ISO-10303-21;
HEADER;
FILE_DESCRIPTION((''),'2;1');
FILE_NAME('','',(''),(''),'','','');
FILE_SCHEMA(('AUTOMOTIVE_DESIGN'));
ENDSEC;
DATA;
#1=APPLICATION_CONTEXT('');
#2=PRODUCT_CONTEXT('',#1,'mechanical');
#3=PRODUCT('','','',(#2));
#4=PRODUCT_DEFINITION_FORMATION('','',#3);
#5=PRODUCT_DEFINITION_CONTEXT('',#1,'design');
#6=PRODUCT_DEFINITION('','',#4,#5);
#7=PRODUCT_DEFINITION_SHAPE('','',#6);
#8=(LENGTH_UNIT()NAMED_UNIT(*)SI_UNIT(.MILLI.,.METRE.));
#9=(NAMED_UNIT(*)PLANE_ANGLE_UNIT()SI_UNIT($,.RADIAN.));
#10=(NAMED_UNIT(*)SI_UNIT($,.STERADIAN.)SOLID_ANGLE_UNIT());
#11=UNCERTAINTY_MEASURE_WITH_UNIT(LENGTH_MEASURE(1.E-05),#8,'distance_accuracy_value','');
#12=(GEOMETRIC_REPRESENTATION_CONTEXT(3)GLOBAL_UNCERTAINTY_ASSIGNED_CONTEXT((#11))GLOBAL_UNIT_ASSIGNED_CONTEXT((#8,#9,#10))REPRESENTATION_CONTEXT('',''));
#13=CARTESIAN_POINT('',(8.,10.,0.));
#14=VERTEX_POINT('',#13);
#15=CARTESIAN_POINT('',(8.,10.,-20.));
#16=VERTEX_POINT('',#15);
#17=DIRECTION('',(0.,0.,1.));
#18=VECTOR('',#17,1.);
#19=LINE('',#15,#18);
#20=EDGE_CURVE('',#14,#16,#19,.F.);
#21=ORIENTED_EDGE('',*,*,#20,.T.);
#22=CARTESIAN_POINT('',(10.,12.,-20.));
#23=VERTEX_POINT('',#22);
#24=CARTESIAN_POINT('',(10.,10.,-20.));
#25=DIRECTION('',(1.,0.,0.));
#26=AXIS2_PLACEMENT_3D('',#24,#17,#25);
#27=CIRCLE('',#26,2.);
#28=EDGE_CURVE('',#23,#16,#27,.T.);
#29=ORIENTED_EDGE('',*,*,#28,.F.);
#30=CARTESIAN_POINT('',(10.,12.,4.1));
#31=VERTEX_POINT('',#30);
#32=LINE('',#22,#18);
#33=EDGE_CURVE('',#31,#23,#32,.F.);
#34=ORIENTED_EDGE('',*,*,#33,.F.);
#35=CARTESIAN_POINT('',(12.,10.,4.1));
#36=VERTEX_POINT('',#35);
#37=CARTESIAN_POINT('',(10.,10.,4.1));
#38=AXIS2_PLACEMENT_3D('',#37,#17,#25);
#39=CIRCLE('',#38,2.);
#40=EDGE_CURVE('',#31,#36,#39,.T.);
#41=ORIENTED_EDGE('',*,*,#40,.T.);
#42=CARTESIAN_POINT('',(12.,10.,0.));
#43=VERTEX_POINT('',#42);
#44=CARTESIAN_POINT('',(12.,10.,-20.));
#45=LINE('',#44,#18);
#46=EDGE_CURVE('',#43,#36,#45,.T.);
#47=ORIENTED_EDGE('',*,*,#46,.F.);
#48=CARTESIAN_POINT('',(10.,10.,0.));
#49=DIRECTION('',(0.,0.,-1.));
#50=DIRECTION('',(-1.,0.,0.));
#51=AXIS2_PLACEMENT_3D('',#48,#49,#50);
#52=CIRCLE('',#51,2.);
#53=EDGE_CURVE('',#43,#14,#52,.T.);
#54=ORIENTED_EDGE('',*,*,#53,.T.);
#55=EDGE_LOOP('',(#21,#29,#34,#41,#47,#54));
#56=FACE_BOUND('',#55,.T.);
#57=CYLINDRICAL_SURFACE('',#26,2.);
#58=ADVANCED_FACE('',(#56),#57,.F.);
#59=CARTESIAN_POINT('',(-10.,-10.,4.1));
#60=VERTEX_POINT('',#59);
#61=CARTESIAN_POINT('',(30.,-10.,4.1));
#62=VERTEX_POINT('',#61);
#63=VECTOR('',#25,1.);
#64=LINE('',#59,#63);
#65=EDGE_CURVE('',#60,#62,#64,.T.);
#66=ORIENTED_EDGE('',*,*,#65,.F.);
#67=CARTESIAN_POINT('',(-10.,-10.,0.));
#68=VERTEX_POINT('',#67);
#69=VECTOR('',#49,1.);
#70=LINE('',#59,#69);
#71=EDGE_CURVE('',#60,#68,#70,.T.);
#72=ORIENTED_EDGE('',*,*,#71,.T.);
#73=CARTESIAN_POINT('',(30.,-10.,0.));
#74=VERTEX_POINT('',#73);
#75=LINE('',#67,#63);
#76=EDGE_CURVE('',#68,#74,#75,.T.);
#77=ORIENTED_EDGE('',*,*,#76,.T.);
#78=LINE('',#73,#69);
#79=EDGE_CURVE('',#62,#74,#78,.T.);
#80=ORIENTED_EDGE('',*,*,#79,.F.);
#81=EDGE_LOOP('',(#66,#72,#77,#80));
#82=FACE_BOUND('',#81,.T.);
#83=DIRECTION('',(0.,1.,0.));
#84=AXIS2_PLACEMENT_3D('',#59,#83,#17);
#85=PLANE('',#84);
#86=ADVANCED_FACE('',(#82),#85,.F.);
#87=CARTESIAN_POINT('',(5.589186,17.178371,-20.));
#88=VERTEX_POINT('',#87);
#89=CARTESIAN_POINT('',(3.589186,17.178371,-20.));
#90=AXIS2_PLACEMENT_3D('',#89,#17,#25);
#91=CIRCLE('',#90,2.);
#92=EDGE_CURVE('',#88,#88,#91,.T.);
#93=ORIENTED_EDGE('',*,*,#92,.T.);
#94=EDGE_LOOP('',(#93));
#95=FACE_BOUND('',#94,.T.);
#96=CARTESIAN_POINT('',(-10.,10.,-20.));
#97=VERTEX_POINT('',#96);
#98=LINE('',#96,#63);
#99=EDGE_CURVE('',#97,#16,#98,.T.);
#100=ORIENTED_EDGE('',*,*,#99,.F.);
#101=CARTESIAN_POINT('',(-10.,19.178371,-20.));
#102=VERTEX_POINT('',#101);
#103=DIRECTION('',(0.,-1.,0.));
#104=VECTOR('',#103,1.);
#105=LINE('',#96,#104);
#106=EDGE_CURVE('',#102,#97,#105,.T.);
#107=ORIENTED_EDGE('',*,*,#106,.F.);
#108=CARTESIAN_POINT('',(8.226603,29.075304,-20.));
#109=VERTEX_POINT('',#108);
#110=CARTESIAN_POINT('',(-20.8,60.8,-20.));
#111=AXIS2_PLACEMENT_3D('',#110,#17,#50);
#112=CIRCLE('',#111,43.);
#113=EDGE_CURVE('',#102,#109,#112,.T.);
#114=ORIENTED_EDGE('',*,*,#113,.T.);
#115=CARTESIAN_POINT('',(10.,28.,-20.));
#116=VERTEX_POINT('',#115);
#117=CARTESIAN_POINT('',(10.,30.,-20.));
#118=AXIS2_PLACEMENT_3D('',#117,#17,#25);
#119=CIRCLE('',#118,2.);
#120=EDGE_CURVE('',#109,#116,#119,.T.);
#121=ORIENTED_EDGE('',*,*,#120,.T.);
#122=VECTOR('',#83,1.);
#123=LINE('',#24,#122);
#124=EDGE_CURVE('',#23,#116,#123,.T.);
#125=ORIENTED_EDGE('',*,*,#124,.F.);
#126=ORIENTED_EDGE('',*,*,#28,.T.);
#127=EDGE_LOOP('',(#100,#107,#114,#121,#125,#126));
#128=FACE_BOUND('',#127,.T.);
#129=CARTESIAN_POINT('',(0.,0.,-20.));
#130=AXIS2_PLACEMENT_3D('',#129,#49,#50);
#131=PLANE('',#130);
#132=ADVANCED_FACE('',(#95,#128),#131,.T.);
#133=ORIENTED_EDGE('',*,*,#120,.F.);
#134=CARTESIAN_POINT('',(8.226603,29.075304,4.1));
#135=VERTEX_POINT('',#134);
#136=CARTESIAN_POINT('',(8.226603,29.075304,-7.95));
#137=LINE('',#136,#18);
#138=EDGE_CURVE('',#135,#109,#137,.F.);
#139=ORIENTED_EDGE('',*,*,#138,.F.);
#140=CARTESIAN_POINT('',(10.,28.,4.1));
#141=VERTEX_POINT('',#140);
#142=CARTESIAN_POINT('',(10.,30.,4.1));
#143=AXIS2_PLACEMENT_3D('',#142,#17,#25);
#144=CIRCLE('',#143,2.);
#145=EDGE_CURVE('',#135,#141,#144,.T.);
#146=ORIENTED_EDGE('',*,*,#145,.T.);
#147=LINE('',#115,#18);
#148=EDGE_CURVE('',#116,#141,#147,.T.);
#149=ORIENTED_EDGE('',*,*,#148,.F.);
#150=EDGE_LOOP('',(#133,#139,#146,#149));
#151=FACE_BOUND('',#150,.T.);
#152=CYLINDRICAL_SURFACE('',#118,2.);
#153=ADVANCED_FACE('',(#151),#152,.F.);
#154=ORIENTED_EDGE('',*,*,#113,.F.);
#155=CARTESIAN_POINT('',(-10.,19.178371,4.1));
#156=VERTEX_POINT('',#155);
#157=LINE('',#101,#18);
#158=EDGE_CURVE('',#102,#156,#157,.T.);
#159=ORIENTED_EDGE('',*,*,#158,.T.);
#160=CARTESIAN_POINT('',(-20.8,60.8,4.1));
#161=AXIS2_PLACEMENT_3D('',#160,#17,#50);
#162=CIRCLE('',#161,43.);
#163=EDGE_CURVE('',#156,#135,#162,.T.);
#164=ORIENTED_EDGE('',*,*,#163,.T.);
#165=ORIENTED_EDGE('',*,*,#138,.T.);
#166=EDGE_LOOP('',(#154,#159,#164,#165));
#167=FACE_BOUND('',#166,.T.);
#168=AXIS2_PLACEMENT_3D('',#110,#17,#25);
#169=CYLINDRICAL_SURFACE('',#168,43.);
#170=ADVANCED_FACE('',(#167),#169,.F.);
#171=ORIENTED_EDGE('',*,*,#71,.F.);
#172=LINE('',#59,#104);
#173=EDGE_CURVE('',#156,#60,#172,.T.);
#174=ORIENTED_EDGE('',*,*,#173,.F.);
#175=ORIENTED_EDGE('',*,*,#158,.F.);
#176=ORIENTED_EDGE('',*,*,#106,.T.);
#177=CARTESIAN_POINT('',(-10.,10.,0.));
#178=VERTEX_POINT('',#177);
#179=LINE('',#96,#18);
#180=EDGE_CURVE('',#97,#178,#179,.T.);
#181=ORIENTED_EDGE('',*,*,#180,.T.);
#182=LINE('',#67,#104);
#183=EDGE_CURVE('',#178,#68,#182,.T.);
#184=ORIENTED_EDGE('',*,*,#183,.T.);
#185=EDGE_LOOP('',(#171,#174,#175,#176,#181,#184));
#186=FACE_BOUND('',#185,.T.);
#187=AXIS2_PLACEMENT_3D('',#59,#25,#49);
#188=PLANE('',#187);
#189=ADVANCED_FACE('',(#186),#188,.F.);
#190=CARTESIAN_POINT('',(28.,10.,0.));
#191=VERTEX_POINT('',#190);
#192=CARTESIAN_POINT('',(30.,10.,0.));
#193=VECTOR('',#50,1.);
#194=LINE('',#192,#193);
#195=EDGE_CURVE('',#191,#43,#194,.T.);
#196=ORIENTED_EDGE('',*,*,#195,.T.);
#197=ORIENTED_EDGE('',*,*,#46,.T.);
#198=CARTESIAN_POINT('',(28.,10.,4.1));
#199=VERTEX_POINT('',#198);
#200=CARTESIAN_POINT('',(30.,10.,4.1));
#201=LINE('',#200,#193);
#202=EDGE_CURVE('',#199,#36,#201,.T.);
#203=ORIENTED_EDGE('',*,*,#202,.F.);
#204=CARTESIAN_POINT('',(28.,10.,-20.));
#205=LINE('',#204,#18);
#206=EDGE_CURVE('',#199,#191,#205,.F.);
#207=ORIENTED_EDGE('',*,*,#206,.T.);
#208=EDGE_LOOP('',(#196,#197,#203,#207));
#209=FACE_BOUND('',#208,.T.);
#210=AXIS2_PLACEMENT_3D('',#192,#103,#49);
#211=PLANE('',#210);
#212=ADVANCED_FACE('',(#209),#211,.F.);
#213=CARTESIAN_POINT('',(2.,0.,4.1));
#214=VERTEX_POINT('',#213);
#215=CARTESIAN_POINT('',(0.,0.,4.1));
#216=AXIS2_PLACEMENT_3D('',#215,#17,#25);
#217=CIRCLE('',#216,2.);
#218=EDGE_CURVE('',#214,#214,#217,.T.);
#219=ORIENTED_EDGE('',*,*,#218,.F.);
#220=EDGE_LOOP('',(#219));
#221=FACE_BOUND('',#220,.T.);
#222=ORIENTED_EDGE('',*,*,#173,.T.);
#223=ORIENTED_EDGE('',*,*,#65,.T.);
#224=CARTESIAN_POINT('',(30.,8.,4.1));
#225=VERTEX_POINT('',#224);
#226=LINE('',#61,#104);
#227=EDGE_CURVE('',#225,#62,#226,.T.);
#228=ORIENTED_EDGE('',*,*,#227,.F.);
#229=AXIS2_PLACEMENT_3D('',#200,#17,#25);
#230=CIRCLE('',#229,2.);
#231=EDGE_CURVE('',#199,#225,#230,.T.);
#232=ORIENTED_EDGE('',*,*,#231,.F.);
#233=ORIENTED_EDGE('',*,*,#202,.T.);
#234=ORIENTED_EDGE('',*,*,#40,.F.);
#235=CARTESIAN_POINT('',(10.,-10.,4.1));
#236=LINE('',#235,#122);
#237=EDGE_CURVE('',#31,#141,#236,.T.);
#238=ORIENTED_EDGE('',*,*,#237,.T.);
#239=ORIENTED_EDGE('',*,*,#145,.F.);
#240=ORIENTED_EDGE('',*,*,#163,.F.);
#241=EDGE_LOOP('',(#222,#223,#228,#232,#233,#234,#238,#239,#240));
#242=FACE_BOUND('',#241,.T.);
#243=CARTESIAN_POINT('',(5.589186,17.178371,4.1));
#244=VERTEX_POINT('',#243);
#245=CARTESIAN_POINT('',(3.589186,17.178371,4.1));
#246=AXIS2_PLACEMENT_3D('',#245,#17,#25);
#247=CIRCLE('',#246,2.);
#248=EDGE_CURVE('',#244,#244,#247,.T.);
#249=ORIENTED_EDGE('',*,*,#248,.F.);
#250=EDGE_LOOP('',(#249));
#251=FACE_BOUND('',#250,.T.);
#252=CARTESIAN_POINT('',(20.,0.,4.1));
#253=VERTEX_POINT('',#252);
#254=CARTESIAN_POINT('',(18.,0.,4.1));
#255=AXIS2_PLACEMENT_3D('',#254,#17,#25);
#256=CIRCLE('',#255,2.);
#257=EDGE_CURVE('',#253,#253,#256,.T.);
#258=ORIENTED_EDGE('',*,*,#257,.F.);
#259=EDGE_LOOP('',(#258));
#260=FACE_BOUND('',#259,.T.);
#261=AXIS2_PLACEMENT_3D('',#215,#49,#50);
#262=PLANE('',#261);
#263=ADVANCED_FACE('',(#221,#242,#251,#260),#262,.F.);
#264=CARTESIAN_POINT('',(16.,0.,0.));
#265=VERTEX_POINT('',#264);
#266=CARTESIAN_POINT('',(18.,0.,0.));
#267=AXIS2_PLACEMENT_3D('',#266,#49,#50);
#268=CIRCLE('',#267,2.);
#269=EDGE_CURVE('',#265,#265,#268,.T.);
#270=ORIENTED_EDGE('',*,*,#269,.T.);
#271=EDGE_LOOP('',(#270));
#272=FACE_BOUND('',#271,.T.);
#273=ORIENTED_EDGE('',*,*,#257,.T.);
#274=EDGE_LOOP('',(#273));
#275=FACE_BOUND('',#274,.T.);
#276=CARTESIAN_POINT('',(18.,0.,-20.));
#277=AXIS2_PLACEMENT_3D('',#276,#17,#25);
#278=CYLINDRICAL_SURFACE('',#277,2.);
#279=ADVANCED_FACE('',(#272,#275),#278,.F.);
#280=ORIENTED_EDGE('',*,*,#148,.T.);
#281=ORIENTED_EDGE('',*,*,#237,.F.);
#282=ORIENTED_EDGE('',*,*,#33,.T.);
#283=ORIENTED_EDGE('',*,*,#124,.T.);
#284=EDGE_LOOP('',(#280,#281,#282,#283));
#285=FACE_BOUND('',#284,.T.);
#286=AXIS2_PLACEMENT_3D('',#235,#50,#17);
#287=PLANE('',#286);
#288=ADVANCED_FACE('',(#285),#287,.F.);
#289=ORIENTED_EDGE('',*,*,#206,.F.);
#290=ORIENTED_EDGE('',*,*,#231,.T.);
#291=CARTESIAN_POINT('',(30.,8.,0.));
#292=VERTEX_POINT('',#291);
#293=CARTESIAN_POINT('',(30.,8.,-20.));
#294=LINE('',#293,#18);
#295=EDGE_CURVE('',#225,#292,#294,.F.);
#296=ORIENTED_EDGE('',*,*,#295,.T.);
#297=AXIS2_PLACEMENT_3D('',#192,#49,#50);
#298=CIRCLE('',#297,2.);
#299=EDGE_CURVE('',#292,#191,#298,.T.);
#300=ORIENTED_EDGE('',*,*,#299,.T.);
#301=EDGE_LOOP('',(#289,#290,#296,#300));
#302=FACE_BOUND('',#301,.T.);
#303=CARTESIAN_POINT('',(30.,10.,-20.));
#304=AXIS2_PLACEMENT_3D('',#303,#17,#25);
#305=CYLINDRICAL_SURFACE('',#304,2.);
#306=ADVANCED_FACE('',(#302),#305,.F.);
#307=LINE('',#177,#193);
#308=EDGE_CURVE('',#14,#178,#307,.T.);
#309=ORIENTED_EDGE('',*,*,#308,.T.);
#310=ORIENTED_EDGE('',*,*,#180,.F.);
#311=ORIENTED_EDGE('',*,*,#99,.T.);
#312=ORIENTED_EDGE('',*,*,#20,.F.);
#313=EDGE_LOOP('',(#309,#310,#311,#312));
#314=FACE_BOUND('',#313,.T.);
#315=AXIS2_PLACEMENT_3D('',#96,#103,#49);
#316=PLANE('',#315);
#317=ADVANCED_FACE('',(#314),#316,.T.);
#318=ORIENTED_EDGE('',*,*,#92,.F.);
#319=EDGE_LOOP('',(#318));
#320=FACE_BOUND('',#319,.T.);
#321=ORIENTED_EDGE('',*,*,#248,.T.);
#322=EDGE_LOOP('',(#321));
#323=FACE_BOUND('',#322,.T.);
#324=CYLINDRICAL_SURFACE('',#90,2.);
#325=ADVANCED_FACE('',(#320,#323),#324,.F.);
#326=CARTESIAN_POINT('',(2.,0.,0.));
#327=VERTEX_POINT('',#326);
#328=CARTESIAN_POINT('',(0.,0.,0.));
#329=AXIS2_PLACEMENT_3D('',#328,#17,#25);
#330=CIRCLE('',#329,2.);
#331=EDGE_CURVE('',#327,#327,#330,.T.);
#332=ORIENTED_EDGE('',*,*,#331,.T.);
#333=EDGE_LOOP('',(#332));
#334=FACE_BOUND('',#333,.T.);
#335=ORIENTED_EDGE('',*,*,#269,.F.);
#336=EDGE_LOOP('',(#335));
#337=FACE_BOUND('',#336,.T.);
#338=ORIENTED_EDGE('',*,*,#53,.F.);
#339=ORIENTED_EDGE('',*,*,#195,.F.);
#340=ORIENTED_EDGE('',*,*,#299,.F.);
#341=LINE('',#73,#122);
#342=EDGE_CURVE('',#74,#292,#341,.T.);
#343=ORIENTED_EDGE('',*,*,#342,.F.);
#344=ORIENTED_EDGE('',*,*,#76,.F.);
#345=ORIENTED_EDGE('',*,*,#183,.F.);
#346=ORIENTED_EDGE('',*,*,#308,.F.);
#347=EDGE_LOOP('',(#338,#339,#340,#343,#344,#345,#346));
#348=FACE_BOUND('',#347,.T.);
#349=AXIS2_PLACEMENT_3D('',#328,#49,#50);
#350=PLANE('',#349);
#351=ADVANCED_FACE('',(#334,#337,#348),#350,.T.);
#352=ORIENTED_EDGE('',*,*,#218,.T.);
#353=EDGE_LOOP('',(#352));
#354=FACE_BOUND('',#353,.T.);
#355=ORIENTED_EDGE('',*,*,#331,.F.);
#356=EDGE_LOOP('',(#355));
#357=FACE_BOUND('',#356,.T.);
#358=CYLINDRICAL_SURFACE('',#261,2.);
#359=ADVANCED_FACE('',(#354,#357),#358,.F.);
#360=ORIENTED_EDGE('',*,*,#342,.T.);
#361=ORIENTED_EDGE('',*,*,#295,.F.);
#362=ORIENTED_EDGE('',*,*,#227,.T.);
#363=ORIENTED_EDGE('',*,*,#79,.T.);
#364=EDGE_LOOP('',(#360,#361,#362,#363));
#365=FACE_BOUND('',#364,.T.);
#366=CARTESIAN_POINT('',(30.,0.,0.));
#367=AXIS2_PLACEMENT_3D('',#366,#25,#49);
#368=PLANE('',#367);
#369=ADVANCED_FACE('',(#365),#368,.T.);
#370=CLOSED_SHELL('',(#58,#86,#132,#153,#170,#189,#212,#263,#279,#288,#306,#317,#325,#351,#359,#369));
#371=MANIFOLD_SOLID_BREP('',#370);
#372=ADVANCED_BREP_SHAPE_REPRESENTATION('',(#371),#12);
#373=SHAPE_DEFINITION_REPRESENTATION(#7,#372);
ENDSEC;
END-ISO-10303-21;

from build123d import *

# Parameters (mm, degrees)
SKETCH_1_W          = 20
SKETCH_1_H          = 20
SKETCH_1_R          = 2
EXTRUDE_1_DEPTH     = 4.1
SKETCH_2_W          = 20
SKETCH_2_H          = 20
EXTRUDE_2_DEPTH     = 24.1
CUT_EXTRUDE_1_DEPTH = 40.759401404
SKETCH_4_R          = 2
CUT_EXTRUDE_2_DEPTH = 40.759401404
SKETCH_5_W          = 4.1
SKETCH_5_H          = 20
EXTRUDE_3_DEPTH     = 20
SKETCH_7_R          = 2
CUT_EXTRUDE_3_DEPTH = 49.793544655


with BuildPart() as part:
    # 草图1 → 凸台-拉伸1 (new body)
    with BuildSketch(Plane.XY):
        Rectangle(SKETCH_1_W, SKETCH_1_H)
        Circle(SKETCH_1_R, mode=Mode.SUBTRACT)
    extrude(amount=EXTRUDE_1_DEPTH)

    # 草图2 → 凸台-拉伸2 (add)
    with BuildSketch(Plane.XY.offset(4.1)):
        with Locations((0, 20)):
            Rectangle(SKETCH_2_W, SKETCH_2_H)
    extrude(amount=-EXTRUDE_2_DEPTH)

    # 草图3 → 切除-拉伸1 (cut, through all)
    with BuildSketch(Plane.XY.offset(4.1)):
        with BuildLine():
            Line((-10, 30), (9.2059994, 30))
            ThreePointArc((9.2059994, 30), (0.308275872, 23.337476197), (-10, 19.178371007))
            Line((-10, 19.178371007), (-10, 30))
        make_face()
    extrude(amount=-CUT_EXTRUDE_1_DEPTH, mode=Mode.SUBTRACT)

    # 草图4 → 切除-拉伸2 (cut, through all)
    with BuildSketch(Plane.XY.offset(4.1)):
        with Locations((3.589185504, 17.178371007)):
            Circle(SKETCH_4_R)
    extrude(amount=-CUT_EXTRUDE_2_DEPTH, mode=Mode.SUBTRACT)

    # 草图5 → 凸台-拉伸3 (add)
    with BuildSketch(Plane(origin=(10, 0, 0), x_dir=(0, 0, -1), z_dir=(1, 0, 0))):
        with Locations((-2.05, 0)):
            Rectangle(SKETCH_5_W, SKETCH_5_H)
    extrude(amount=EXTRUDE_3_DEPTH)

    # 草图7 → 切除-拉伸3 (cut, through all)
    with BuildSketch(Plane.XY.offset(4.1)):
        with Locations((10, 10)):
            Circle(SKETCH_7_R)
        with Locations((10, 30)):
            Circle(SKETCH_7_R)
        with Locations((30, 10)):
            Circle(SKETCH_7_R)
        with Locations((18, 0)):
            Circle(SKETCH_7_R)
    extrude(amount=-CUT_EXTRUDE_3_DEPTH, mode=Mode.SUBTRACT)


solid = part.part
